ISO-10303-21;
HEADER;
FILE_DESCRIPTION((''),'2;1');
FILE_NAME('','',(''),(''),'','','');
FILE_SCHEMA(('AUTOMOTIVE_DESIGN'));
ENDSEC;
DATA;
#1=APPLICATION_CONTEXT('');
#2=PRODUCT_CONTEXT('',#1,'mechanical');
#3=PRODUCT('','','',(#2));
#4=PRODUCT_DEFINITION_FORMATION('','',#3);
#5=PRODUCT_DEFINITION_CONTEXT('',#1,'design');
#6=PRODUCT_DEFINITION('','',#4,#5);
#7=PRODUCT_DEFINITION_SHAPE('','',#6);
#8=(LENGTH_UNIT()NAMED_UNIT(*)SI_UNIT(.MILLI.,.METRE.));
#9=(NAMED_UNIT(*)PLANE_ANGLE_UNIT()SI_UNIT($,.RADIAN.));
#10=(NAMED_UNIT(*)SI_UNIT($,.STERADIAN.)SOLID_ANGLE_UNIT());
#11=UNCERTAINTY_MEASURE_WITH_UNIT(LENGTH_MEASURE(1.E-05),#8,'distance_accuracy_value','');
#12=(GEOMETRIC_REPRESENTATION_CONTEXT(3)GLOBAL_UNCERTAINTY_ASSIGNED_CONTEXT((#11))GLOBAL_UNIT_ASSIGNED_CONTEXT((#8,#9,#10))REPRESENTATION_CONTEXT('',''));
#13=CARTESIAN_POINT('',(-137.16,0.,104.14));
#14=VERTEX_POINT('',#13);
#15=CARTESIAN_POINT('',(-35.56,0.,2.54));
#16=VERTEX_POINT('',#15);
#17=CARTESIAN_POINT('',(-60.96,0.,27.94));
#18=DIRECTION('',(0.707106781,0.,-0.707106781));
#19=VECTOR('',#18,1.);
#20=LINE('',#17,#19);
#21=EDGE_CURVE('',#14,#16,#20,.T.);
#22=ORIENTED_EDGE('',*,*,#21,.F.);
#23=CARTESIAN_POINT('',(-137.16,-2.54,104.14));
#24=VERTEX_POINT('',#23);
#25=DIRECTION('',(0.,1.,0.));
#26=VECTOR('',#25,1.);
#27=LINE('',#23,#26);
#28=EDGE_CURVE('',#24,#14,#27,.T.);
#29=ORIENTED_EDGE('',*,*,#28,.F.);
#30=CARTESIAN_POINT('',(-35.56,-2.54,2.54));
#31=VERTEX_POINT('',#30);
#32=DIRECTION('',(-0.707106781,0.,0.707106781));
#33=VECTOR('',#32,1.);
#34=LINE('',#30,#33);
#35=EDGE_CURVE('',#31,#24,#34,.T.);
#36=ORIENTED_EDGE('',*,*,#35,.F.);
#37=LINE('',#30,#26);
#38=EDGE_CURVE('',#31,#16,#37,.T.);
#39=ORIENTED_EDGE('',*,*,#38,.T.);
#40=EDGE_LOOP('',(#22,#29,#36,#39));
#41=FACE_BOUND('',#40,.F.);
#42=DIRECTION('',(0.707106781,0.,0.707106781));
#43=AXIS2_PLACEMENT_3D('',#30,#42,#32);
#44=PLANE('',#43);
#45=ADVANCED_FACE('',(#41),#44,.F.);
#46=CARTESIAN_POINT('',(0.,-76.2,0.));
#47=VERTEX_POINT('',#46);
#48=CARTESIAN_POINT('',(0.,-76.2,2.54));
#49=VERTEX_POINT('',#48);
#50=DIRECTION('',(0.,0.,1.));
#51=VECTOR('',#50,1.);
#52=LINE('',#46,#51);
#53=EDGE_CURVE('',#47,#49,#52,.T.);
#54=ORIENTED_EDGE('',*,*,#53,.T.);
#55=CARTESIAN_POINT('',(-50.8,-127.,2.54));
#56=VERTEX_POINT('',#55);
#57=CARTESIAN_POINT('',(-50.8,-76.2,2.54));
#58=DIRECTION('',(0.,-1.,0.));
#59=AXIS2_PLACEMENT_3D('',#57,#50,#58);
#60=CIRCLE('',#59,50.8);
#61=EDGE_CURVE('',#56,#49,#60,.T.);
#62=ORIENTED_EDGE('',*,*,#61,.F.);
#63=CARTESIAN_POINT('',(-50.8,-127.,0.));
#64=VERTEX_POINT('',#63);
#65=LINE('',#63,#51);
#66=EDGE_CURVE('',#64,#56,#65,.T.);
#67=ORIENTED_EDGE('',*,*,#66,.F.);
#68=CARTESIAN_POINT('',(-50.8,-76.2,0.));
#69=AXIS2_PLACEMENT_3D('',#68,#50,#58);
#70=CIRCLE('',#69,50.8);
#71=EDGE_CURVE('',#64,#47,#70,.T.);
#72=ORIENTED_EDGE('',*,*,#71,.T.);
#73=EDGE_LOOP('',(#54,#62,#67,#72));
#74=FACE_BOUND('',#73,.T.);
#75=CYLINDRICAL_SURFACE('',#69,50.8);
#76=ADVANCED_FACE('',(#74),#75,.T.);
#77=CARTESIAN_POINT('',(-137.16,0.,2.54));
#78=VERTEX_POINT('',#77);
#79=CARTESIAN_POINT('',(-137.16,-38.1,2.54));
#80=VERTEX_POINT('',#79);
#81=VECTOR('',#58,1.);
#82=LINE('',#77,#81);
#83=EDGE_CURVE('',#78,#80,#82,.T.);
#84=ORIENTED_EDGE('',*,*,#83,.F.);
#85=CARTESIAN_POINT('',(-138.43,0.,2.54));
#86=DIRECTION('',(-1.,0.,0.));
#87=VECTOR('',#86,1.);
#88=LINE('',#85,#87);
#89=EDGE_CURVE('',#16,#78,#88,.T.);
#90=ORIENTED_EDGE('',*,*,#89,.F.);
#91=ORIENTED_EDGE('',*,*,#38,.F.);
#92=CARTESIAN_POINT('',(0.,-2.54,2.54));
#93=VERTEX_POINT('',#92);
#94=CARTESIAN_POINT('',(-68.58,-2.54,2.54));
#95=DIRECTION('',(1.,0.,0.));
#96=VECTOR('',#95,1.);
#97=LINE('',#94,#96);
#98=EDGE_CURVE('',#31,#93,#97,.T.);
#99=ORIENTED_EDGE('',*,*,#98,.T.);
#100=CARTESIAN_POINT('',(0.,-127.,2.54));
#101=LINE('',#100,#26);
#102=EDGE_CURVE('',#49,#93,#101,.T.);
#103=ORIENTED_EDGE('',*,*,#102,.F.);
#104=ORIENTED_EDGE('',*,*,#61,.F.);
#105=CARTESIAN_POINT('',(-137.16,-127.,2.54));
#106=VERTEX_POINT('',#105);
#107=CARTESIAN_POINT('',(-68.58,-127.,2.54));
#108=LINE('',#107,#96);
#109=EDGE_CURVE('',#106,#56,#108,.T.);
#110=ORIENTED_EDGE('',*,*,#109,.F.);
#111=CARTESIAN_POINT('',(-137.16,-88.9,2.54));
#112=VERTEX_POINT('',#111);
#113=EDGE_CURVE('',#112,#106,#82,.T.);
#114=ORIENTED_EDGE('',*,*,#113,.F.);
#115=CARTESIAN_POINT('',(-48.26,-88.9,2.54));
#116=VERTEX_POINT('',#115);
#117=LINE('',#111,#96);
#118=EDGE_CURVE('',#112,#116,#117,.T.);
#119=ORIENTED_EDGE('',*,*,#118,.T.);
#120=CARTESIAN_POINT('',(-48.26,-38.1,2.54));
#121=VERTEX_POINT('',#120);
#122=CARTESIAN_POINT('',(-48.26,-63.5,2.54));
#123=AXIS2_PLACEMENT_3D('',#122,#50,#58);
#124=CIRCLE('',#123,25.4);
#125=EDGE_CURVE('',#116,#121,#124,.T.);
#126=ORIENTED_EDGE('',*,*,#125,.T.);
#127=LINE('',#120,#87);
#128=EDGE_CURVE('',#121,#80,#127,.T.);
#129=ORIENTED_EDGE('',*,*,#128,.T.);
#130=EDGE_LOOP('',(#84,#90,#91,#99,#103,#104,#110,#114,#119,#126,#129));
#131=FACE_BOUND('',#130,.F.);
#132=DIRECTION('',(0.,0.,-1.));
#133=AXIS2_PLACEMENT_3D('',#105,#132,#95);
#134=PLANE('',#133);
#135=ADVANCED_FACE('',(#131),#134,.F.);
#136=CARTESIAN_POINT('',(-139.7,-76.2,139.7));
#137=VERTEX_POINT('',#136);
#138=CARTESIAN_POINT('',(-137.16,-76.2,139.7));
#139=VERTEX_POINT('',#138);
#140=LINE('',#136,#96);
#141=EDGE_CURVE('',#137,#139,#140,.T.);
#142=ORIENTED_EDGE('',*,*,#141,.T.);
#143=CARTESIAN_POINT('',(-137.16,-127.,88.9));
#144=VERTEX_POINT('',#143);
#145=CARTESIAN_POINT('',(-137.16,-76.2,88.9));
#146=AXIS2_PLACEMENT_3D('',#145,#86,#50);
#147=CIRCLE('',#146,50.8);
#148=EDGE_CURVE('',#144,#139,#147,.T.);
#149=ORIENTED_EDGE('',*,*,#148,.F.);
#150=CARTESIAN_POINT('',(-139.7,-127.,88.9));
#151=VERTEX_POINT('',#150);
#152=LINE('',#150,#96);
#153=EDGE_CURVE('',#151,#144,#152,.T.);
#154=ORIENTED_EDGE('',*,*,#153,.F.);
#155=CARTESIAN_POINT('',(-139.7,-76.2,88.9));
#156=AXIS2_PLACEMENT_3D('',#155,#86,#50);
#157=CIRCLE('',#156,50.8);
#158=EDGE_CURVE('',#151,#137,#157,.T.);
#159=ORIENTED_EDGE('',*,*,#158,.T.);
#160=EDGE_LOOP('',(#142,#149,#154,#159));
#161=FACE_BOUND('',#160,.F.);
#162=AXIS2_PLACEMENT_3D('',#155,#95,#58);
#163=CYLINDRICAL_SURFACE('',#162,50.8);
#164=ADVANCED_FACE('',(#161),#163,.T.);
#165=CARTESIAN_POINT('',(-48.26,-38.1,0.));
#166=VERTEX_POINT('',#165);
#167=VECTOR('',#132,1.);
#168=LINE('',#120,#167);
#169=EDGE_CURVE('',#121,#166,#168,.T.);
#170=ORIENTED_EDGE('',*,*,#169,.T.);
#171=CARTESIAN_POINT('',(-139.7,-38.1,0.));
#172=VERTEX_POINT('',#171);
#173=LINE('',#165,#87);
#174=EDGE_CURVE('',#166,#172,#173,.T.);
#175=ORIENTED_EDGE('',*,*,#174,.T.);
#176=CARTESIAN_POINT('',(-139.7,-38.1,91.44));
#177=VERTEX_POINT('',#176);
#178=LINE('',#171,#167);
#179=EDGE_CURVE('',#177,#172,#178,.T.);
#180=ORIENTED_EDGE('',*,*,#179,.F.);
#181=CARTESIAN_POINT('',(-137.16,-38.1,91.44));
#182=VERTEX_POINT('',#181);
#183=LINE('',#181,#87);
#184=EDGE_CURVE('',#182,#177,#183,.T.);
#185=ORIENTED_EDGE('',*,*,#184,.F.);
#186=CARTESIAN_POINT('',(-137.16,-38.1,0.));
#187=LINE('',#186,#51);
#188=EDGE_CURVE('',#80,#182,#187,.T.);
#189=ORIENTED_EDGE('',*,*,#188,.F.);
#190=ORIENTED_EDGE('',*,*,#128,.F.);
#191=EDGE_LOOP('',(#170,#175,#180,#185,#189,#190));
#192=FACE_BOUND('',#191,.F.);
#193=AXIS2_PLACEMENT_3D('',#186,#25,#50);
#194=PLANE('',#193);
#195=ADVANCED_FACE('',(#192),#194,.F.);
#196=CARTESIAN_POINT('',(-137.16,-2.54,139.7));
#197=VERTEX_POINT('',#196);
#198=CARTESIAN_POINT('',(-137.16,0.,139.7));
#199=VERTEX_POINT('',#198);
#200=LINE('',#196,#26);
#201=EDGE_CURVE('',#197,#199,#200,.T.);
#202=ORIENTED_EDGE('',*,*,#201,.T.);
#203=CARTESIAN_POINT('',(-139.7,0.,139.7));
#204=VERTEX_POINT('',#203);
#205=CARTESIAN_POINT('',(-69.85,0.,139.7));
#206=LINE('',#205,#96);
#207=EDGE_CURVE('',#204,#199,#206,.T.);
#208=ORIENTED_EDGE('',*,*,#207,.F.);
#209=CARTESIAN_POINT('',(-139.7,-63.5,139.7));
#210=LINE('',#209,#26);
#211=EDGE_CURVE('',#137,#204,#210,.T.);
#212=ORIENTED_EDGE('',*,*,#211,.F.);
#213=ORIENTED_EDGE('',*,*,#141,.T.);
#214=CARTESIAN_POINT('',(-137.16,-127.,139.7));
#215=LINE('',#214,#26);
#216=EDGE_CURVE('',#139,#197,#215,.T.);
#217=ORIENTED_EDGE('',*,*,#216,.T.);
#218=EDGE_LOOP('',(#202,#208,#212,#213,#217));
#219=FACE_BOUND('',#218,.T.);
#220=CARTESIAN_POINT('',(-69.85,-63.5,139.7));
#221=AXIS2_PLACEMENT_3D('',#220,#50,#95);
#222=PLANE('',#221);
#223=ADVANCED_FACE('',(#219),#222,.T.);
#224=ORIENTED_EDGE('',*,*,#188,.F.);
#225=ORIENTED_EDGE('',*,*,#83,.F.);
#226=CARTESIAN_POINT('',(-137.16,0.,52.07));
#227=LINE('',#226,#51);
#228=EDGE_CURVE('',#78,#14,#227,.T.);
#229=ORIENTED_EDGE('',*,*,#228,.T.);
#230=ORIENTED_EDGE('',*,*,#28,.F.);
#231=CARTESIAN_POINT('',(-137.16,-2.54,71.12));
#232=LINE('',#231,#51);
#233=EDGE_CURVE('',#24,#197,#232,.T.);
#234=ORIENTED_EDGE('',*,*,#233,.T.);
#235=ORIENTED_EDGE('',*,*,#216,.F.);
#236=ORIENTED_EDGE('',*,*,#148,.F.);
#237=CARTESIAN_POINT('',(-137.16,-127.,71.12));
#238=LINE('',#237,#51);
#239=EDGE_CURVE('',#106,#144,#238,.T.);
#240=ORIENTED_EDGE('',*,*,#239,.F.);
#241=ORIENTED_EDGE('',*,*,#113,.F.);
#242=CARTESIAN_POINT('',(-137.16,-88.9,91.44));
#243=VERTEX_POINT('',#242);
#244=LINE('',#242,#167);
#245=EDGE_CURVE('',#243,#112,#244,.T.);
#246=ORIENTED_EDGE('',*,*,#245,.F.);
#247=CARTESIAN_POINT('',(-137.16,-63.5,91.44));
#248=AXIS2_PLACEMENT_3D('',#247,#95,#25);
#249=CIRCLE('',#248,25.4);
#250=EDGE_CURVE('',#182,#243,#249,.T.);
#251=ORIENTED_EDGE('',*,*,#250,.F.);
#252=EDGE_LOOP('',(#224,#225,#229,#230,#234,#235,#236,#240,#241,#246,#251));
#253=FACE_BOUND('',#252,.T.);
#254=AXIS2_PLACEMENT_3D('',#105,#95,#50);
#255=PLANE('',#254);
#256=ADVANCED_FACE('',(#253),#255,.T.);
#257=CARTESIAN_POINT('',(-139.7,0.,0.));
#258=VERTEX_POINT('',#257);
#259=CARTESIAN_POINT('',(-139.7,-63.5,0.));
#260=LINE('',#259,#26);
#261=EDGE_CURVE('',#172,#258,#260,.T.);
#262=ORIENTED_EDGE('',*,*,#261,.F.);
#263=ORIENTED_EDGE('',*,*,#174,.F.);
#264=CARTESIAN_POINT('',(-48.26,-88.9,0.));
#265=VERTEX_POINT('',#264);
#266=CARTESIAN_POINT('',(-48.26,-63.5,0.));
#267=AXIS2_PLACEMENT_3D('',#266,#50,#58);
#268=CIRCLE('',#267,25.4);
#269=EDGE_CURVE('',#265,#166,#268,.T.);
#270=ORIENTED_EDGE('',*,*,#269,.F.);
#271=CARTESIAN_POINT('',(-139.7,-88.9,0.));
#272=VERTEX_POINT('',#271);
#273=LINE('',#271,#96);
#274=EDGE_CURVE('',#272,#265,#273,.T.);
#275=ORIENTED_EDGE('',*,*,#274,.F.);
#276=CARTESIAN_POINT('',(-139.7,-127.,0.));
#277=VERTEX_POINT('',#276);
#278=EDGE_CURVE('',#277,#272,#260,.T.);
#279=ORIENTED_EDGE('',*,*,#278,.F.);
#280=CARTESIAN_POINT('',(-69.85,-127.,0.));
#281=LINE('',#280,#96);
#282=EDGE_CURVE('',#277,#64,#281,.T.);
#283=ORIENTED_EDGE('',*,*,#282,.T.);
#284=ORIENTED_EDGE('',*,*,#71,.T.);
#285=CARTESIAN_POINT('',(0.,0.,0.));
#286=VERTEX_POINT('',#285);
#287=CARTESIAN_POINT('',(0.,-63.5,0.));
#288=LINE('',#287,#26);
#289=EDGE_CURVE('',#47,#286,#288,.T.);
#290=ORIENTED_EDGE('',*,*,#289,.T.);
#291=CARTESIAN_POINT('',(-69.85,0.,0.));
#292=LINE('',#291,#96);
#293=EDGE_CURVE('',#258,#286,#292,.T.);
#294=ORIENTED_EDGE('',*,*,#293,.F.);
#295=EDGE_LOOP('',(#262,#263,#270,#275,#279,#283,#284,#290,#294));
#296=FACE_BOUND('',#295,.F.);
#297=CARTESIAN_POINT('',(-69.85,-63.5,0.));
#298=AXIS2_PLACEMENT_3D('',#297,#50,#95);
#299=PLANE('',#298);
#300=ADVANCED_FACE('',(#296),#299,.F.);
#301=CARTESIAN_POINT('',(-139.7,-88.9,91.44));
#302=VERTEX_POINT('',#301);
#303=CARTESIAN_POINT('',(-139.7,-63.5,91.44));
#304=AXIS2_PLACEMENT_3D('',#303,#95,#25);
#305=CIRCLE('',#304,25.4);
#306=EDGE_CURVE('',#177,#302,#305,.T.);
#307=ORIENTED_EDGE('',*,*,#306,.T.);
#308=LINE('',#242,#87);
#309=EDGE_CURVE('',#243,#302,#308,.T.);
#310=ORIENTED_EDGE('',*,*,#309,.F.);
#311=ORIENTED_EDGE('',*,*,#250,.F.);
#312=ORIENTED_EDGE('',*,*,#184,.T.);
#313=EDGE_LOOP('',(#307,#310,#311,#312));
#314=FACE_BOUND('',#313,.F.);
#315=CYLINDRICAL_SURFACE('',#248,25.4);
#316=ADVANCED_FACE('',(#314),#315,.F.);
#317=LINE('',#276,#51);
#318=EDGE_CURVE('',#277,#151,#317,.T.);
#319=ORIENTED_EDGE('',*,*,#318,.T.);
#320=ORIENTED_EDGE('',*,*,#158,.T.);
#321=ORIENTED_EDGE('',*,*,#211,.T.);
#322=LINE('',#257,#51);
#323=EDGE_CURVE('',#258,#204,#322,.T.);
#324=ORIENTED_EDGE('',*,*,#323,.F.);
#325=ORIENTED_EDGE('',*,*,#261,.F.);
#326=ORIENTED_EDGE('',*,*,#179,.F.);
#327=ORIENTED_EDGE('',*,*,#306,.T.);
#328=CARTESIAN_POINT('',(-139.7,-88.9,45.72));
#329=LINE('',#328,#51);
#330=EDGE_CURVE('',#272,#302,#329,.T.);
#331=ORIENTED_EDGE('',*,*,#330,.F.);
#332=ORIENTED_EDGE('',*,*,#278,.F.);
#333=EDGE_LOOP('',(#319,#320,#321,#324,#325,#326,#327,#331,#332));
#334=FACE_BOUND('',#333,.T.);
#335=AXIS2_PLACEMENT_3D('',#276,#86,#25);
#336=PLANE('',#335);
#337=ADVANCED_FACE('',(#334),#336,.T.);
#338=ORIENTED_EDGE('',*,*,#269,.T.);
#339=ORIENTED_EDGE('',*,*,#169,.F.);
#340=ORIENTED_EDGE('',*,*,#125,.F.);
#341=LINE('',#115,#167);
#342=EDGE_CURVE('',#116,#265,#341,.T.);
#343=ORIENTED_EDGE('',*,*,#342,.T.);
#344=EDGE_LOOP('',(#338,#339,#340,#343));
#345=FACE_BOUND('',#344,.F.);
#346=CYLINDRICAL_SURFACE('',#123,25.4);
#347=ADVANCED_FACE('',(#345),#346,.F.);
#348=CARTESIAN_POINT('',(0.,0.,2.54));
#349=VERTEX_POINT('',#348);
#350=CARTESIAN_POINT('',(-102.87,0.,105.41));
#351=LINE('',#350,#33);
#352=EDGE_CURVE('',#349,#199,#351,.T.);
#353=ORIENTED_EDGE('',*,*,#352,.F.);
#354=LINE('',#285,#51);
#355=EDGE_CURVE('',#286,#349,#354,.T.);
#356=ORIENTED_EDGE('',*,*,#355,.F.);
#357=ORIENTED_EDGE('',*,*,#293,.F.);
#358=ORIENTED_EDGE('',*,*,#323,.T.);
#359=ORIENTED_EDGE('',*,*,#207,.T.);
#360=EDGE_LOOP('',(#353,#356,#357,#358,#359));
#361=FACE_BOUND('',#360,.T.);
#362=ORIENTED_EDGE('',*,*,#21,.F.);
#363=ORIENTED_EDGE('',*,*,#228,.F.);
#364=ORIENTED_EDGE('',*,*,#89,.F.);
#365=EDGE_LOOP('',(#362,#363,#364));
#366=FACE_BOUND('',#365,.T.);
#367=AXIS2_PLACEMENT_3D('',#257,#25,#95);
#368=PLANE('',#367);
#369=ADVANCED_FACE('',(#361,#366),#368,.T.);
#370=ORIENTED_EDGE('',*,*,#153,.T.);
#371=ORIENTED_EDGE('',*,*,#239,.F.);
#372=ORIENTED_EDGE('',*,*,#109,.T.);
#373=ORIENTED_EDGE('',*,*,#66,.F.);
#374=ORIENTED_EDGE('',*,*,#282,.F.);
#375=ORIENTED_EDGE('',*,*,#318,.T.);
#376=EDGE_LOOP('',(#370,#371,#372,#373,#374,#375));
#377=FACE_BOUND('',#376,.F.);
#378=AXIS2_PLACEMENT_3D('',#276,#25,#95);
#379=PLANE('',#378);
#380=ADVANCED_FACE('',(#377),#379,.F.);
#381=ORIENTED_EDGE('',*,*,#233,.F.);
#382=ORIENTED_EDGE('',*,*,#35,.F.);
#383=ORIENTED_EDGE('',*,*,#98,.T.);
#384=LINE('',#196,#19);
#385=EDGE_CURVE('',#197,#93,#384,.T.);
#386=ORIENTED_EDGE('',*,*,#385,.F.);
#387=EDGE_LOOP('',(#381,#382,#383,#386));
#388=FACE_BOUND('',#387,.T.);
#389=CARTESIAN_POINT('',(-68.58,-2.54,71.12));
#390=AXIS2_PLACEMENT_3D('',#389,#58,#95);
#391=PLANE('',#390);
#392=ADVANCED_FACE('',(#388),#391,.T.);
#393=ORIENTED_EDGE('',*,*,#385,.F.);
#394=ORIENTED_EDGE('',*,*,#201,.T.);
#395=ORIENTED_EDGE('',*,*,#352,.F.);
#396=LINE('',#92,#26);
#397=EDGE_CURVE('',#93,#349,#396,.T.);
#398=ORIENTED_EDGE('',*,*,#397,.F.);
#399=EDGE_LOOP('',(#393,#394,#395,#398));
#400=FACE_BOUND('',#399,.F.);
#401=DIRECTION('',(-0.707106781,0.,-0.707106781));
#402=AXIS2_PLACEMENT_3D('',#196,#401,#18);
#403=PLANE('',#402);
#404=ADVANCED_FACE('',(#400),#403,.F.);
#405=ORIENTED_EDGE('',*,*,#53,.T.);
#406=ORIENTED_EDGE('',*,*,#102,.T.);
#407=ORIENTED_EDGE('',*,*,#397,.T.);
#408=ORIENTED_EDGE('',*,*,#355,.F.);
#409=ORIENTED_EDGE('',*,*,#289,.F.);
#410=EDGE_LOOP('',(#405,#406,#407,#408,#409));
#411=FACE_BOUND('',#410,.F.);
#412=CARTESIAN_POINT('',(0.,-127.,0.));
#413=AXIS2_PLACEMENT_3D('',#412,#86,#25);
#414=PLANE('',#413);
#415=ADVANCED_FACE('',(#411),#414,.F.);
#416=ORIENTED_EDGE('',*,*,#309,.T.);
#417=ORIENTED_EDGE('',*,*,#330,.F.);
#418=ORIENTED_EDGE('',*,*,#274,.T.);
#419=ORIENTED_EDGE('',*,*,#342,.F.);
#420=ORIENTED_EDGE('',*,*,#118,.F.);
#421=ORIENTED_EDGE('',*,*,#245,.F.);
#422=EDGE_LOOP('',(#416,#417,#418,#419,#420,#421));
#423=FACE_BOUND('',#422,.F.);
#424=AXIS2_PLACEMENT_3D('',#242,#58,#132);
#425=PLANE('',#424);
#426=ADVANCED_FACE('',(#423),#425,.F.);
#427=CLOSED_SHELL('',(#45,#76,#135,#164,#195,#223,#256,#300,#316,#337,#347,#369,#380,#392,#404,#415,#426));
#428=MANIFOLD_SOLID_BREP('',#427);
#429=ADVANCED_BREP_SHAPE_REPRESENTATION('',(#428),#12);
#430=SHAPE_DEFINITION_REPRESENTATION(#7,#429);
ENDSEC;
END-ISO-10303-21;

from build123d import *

# Parameters (mm, degrees)
F0_W      = 139.7
F0_H      = 127
F1_DEPTH  = 139.7
F2_W      = 137.16
F2_H      = 137.16
F3_DEPTH  = 124.46
F5_DEPTH  = 25.4
F7_DEPTH  = 25.4
F9_DEPTH  = 25.4
F11_DEPTH = 25.4
F12_R     = 50.8


with BuildPart() as f1:
    # F0 (on Top) → F1 (new body)
    with BuildSketch(Plane.XY):
        with Locations((-69.85, -63.5)):
            Rectangle(F0_W, F0_H)
    extrude(amount=F1_DEPTH)

    # F2 (on face) → F3 (cut)
    with BuildSketch(Plane.XZ.offset(127)):
        with Locations((-68.58, 71.12)):
            Rectangle(F2_W, F2_H)
    extrude(amount=-F3_DEPTH, mode=Mode.SUBTRACT)

    # F4 (on face) → F5 (cut)
    with BuildSketch(Plane.XZ.offset(2.54)):
        Polygon((-6.918556, 178.288981), (-137.16, 139.7), (0, 2.54), (55.803198, 142.750546), align=None)
    extrude(amount=-F5_DEPTH, mode=Mode.SUBTRACT)

    # F6 (on face) → F7 (cut)
    with BuildSketch(Plane.XZ.offset(2.54)):
        Polygon((-137.16, 104.14), (-137.16, 2.54), (-35.56, 2.54), align=None)
    extrude(amount=-F7_DEPTH, mode=Mode.SUBTRACT)

    # F8 (on face) → F9 (cut)
    with BuildSketch(Plane.XY.offset(2.54)):
        with BuildLine():
            Line((-137.16, -38.1), (-137.16, -88.9))
            Line((-137.16, -88.9), (-48.26, -88.9))
            ThreePointArc((-48.26, -88.9), (-22.86, -63.5), (-48.26, -38.1))
            Line((-48.26, -38.1), (-137.16, -38.1))
        make_face()
    extrude(amount=-F9_DEPTH, mode=Mode.SUBTRACT)

    # F10 (on face) → F11 (cut)
    with BuildSketch(Plane.YZ.offset(-137.16)):
        with BuildLine():
            Line((-38.1, 0), (-38.1, 2.54))
            Line((-38.1, 2.54), (-38.1, 91.44))
            ThreePointArc((-38.1, 91.44), (-63.5, 116.84), (-88.9, 91.44))
            Line((-88.9, 91.44), (-88.9, 2.54))
            Line((-88.9, 2.54), (-88.9, 0))
            Line((-88.9, 0), (-38.1, 0))
        make_face()
    extrude(amount=-F11_DEPTH, mode=Mode.SUBTRACT)

    # F12
    f12_edges = [f1.edges().sort_by_distance(p)[0] for p in [
        (0, -127, 1.27),
        (-138.43, -127, 139.7),
    ]]
    fillet(f12_edges, radius=F12_R)


solid = f1.part
